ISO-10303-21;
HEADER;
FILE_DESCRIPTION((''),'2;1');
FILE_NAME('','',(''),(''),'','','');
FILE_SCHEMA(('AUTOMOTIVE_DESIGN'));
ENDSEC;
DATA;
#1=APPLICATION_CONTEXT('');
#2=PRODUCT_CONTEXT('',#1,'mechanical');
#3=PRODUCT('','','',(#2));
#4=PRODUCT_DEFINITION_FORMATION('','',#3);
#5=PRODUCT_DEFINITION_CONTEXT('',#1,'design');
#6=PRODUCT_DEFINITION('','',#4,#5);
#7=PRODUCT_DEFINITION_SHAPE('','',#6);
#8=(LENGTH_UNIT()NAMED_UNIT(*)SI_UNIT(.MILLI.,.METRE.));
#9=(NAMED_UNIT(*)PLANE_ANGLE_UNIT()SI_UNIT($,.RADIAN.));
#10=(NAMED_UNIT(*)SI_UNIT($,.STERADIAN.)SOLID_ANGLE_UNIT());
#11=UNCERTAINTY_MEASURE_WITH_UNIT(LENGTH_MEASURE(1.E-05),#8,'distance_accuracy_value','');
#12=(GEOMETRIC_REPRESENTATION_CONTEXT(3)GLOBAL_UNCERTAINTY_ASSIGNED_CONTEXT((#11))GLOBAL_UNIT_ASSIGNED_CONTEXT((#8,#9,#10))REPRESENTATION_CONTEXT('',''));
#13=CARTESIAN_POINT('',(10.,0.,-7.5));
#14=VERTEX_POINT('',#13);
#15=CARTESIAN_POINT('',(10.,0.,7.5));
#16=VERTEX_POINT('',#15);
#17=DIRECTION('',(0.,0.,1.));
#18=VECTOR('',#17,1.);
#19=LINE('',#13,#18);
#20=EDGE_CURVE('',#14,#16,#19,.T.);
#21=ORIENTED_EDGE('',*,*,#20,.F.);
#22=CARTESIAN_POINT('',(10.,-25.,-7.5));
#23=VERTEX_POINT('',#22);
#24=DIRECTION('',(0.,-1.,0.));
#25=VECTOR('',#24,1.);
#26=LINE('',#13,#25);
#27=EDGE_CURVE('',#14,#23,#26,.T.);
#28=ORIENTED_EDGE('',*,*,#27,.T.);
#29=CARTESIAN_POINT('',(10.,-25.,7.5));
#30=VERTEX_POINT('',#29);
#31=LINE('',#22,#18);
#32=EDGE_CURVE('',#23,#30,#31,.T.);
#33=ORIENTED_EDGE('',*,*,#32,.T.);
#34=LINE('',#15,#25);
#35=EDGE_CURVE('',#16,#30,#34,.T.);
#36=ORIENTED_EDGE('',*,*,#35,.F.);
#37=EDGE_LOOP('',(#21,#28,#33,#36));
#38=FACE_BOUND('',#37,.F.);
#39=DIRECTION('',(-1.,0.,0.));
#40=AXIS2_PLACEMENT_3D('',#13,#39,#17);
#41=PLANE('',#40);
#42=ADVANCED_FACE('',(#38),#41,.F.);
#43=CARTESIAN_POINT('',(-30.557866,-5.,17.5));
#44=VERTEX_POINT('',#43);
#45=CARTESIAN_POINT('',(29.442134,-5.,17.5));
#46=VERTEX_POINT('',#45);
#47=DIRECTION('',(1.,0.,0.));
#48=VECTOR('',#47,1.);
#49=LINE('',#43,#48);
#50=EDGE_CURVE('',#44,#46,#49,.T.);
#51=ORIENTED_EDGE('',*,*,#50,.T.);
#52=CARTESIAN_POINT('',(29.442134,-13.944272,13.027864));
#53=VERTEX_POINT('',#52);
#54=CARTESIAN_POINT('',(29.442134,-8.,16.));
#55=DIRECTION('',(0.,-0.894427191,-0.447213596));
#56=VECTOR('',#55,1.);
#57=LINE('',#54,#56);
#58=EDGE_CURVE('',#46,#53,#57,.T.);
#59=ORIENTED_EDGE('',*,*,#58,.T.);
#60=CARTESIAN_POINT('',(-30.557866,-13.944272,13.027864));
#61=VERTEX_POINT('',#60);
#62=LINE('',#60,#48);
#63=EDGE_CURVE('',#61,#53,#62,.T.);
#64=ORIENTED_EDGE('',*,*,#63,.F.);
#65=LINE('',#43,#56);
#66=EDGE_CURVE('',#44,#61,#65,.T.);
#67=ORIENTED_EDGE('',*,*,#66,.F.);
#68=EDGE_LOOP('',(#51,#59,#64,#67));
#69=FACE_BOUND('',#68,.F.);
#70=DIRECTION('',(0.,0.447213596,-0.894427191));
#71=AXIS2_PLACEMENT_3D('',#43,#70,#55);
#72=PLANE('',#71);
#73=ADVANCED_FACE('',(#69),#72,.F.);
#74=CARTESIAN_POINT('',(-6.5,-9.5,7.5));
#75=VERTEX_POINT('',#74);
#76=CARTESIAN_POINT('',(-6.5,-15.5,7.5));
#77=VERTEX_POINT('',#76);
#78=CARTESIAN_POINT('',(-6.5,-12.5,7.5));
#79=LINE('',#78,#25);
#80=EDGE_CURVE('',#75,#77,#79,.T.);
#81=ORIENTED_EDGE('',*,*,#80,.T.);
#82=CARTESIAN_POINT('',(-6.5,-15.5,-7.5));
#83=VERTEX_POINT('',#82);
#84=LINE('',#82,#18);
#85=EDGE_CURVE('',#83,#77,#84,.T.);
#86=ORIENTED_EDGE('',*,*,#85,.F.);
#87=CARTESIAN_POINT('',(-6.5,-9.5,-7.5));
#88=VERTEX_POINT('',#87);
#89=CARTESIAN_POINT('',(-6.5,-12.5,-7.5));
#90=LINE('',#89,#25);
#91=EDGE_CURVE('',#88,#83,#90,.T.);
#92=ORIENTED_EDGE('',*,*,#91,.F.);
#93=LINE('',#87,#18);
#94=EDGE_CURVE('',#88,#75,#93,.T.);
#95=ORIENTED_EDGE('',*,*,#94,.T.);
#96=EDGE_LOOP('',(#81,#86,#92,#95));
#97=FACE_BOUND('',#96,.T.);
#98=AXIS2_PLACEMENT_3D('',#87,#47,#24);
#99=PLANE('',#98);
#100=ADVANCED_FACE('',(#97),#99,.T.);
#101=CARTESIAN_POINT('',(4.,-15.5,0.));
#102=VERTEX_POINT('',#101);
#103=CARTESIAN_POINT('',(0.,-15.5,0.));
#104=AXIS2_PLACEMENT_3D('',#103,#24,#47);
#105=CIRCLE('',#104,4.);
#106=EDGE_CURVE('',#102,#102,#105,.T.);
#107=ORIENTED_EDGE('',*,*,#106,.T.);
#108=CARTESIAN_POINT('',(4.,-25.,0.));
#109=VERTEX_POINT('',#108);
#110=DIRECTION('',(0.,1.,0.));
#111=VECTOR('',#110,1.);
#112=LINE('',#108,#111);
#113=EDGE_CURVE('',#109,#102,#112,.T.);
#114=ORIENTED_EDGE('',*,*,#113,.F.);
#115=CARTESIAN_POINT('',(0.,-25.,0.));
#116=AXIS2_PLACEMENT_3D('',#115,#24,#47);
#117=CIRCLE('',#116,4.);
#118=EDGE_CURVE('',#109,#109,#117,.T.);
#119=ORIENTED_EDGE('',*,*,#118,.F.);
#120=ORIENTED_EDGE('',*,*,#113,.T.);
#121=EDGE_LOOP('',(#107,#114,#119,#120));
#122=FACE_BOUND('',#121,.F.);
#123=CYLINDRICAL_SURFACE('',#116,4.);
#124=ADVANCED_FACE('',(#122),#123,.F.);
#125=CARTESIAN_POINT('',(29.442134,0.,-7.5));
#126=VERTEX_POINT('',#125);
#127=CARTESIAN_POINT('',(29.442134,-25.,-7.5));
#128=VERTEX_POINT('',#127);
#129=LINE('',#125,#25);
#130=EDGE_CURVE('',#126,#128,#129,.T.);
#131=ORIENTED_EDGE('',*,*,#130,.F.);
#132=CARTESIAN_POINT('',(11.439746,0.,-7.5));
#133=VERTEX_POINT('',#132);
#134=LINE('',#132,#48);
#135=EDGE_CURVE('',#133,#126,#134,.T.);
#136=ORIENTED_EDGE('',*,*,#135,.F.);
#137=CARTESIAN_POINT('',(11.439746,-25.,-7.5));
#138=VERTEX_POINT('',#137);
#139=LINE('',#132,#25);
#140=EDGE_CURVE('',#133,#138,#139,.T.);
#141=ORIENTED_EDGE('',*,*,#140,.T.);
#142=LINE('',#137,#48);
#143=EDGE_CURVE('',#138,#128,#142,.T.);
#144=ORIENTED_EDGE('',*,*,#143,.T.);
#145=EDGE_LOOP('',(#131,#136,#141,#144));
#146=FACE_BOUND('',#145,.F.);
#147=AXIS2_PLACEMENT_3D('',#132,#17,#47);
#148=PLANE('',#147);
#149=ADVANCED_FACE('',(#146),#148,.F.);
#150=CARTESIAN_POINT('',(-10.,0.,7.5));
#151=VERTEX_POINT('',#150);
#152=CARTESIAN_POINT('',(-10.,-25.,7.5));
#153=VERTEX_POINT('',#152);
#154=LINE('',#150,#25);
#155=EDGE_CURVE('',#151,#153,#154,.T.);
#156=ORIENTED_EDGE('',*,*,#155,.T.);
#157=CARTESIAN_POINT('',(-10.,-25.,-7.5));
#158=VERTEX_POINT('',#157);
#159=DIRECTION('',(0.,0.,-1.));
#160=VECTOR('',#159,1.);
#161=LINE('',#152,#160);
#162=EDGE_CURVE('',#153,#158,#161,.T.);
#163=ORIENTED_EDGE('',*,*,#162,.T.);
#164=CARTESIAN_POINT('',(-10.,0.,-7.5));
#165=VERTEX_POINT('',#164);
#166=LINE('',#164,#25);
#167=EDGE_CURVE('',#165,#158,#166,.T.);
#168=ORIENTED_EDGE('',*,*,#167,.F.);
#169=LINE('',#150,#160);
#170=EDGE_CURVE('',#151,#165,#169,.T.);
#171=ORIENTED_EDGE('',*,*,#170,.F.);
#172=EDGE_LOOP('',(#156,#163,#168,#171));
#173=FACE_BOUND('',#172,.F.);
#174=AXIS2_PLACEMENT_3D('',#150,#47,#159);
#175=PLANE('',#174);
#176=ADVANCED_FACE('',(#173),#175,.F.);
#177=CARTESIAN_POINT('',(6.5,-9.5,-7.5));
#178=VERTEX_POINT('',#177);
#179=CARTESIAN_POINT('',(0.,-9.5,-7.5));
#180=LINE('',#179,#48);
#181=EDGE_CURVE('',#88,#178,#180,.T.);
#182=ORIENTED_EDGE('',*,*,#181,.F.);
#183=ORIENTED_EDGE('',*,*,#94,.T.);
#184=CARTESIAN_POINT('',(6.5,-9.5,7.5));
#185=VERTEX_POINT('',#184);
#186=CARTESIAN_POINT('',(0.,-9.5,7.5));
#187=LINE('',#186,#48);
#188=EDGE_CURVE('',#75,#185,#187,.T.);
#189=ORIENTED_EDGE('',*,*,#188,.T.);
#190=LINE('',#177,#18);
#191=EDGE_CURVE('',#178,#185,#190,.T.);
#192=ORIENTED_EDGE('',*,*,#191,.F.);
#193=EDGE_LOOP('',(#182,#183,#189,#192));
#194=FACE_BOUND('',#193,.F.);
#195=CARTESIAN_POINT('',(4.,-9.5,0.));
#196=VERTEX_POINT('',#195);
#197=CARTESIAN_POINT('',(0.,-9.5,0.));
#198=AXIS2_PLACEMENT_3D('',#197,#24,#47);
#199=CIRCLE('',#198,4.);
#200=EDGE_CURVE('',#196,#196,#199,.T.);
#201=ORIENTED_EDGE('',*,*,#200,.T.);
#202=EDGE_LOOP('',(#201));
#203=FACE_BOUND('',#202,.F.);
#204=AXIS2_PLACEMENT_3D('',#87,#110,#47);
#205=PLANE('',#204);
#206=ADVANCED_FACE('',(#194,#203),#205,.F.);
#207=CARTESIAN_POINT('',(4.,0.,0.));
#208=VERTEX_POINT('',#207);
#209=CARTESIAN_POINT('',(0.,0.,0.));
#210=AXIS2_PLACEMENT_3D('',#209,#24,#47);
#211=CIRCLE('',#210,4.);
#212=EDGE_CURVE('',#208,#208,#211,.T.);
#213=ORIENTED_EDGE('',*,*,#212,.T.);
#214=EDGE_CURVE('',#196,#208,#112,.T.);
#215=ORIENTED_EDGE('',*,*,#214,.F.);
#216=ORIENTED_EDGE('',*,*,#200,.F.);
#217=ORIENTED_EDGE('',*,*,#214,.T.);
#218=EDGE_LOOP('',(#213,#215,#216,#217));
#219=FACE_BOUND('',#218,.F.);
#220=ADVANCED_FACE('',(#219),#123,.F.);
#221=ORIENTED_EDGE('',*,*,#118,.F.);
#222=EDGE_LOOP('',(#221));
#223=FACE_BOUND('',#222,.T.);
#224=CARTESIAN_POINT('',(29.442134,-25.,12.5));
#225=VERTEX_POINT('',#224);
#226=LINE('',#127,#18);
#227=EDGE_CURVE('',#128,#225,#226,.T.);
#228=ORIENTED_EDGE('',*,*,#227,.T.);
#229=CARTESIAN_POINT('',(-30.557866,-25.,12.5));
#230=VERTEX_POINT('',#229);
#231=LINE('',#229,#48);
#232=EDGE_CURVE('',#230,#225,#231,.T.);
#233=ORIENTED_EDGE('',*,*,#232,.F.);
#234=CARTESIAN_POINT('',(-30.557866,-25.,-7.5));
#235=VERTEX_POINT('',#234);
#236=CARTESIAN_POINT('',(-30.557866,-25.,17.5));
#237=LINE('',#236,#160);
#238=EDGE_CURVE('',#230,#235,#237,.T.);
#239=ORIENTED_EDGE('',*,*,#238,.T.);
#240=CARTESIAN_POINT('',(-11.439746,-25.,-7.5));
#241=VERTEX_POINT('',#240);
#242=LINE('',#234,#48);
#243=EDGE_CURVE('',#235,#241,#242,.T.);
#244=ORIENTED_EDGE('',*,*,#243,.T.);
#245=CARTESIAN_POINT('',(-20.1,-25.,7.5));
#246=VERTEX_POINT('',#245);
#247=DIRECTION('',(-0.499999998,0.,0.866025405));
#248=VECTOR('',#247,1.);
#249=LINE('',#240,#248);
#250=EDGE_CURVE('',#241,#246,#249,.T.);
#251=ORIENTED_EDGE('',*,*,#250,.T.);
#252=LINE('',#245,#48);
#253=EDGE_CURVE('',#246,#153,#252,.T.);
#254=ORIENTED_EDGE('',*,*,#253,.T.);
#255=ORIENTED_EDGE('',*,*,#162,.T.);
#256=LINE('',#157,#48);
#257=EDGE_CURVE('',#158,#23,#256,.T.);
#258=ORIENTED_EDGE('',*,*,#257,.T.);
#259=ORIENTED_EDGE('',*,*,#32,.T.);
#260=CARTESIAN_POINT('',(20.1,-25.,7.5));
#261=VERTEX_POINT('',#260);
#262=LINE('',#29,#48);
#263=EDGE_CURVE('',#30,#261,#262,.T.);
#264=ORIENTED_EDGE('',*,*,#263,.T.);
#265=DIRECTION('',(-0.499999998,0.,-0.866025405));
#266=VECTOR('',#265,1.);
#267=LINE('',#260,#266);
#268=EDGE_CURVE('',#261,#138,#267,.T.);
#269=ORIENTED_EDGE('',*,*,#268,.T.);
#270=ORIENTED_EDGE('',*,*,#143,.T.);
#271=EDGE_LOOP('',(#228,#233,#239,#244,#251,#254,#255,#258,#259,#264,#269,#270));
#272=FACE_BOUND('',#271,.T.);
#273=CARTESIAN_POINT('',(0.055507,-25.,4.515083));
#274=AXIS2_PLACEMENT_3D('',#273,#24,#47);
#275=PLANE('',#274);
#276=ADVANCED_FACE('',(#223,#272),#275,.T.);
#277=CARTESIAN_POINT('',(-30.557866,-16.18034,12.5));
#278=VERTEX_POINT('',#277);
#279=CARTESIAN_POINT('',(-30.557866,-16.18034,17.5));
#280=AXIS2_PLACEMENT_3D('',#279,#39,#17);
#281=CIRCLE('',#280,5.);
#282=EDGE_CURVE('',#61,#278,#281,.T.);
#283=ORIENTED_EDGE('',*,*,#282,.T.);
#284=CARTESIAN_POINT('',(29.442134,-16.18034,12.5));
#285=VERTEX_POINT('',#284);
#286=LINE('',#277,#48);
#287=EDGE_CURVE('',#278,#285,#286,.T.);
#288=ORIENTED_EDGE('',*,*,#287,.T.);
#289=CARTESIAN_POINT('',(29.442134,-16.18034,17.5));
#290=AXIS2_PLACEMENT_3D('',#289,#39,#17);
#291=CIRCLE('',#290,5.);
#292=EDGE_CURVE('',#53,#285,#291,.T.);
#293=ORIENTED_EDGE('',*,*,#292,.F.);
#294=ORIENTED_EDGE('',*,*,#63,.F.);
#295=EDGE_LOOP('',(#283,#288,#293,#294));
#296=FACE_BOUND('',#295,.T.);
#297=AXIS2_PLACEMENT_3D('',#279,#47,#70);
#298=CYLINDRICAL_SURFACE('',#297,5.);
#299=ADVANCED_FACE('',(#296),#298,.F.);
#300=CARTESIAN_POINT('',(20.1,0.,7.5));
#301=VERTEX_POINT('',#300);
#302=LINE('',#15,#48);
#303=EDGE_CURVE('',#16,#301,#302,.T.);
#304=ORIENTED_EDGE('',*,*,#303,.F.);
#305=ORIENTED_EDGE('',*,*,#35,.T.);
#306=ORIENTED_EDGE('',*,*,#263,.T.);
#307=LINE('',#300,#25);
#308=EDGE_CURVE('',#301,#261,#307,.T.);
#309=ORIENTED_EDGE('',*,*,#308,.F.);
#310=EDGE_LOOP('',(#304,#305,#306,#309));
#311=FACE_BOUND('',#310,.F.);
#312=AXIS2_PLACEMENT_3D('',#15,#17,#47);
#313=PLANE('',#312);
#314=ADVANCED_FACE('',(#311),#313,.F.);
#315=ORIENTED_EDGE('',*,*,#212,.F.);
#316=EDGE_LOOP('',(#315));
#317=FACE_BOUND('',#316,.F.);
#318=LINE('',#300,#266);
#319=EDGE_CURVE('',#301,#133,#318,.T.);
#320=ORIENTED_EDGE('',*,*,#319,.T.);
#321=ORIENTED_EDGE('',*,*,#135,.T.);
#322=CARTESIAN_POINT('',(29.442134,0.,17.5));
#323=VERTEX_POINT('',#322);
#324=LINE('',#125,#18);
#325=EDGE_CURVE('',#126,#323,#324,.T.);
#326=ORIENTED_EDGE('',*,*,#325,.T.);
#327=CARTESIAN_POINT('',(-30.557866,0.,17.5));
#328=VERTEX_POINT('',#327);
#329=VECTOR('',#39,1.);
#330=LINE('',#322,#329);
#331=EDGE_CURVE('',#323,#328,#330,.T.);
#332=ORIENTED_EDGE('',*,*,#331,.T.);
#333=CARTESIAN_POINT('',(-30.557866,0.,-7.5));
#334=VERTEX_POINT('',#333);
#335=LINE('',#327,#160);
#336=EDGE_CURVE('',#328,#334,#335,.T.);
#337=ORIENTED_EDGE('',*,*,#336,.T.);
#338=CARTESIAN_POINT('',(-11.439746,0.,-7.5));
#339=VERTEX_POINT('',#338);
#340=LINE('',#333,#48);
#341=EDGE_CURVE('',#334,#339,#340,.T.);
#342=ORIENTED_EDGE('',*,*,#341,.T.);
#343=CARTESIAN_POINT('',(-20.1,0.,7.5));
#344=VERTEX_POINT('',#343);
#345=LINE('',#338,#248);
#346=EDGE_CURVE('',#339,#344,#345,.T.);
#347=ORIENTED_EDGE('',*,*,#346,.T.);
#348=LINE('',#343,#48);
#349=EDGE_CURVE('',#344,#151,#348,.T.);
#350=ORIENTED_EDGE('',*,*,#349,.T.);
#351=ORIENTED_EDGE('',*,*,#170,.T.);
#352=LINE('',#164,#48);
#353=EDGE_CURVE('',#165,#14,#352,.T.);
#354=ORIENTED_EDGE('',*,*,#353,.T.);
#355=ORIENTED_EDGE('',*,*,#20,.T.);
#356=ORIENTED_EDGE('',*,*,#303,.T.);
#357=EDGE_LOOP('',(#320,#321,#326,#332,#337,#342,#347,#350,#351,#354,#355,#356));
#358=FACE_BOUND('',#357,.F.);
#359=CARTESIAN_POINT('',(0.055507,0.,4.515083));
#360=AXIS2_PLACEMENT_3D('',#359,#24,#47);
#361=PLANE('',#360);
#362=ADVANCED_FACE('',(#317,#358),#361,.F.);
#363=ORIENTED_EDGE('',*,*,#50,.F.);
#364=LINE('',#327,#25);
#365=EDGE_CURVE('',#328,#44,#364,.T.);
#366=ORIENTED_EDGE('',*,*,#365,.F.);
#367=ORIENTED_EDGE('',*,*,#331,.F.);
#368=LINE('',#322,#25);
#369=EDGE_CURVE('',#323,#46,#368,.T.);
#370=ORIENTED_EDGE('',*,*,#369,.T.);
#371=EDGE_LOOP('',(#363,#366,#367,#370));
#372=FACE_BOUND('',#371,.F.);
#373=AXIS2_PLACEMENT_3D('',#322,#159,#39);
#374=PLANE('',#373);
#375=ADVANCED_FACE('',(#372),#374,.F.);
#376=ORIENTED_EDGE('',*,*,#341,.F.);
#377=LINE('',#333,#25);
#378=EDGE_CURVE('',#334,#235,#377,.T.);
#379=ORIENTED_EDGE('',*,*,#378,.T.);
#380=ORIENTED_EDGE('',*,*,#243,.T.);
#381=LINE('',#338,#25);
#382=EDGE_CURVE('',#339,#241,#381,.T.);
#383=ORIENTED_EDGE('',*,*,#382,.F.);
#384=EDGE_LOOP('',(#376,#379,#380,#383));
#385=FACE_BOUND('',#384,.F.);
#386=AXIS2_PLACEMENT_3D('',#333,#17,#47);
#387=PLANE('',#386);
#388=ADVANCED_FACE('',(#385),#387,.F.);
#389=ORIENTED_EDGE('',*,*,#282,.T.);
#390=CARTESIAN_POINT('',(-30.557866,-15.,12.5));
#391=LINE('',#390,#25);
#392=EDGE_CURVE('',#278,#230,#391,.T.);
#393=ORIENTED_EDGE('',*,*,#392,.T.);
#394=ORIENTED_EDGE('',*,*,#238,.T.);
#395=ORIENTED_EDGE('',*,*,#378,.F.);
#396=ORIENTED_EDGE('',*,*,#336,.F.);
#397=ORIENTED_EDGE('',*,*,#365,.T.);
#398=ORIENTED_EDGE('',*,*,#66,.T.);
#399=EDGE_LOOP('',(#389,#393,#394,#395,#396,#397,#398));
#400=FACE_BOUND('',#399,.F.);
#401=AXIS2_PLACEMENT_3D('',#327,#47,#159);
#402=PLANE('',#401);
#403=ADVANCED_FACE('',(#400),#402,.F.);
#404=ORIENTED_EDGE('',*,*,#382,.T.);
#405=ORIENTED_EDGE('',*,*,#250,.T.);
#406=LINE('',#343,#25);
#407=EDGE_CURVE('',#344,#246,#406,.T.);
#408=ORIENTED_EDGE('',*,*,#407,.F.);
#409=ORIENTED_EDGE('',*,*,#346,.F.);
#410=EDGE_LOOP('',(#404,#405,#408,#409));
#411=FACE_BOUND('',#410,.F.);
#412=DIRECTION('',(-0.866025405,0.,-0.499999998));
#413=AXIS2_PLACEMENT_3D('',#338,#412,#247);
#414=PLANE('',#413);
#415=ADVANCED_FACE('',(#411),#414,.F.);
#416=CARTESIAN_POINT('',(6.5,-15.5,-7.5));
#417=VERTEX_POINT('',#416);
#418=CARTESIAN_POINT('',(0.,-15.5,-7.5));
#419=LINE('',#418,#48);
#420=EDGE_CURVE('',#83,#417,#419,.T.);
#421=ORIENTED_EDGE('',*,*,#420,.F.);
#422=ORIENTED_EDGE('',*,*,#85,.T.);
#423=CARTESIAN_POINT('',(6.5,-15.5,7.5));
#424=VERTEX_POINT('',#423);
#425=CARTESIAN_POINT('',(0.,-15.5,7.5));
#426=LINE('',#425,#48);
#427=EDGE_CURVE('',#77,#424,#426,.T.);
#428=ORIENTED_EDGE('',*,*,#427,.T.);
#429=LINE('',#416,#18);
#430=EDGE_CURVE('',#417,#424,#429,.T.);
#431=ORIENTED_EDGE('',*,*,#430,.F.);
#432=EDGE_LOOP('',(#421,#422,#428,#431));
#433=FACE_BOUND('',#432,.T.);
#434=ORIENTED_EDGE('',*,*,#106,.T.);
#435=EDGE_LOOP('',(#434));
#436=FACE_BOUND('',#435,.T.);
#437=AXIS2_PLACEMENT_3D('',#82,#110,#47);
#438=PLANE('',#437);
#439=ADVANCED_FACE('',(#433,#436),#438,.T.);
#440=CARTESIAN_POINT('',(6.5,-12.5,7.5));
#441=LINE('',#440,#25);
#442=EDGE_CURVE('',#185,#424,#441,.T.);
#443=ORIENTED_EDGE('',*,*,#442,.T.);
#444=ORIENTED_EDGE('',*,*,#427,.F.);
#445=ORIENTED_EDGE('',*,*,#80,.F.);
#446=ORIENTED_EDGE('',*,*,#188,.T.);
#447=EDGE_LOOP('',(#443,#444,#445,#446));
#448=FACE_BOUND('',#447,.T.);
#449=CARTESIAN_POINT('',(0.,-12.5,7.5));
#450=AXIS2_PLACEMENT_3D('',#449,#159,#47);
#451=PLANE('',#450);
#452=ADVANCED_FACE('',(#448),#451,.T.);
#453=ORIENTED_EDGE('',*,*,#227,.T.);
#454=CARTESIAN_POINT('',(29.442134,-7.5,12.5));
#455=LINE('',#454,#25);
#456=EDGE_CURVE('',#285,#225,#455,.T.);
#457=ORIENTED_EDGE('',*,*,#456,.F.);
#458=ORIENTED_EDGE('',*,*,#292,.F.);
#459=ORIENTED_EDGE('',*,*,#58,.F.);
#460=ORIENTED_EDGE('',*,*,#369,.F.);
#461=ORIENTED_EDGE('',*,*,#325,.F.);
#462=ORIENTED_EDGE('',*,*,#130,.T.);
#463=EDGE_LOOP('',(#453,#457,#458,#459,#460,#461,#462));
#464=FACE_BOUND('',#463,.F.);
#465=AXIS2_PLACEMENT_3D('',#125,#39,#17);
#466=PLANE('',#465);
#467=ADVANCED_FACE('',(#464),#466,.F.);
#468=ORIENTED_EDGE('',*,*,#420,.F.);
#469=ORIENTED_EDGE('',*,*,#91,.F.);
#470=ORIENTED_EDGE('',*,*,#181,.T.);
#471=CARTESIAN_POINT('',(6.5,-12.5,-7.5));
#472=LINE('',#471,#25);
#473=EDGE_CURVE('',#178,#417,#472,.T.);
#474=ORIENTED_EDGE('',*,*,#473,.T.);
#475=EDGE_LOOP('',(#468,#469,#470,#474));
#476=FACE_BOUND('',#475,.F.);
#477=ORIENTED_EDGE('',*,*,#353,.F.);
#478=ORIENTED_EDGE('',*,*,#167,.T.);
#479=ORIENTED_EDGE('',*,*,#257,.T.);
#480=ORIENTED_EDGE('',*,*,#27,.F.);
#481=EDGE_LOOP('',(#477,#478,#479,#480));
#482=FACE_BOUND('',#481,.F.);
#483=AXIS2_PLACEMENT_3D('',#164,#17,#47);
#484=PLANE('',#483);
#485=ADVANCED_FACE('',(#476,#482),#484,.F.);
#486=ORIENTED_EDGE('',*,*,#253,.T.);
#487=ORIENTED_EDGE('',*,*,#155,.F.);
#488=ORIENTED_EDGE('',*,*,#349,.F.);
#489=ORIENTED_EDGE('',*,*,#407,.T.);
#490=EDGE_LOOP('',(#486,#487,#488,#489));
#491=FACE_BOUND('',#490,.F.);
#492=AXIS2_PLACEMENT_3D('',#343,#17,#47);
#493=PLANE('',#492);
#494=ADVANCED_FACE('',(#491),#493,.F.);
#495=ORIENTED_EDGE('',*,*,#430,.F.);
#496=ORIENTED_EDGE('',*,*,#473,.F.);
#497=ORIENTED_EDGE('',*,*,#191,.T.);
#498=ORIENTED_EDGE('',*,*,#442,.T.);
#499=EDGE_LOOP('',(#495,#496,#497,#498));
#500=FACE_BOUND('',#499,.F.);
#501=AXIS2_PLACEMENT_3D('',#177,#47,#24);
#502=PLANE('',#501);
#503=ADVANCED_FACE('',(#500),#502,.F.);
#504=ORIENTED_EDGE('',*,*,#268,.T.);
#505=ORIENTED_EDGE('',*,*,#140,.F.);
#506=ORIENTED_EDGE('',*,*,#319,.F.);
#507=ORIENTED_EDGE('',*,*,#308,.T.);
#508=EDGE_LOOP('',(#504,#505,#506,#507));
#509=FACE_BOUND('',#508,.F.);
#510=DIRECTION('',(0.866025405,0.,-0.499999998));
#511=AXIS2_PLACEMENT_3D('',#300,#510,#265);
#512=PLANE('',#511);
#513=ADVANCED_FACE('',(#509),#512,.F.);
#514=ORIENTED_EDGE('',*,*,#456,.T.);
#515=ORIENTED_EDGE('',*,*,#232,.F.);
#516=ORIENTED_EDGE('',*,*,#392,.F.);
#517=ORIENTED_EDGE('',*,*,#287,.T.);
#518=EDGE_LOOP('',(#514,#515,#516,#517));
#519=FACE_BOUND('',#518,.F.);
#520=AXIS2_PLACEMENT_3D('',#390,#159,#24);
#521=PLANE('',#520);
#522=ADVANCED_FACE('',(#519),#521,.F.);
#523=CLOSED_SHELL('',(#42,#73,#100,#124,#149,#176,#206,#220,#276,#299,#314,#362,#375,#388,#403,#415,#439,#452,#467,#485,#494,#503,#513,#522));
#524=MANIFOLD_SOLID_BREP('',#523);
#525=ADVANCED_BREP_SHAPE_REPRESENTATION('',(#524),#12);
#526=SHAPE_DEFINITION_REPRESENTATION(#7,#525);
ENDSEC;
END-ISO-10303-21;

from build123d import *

# Parameters (mm, degrees)
F1_DEPTH = 25
F3_DEPTH = 60.001
F4_R     = 5
F5_W     = 13
F5_H     = 6
F6_DEPTH = 15
F7_R     = 4
F8_DEPTH = 25.001


with BuildPart() as f1:
    # F0 (on Front) → F1 (new body)
    with BuildSketch(Plane.XZ):
        Polygon((29.442134, 17.5), (-30.557866, 17.5), (-30.557866, -7.5), (-20.1, -7.5), (-20.1, 7.5), (-10, 7.5), (-10, -7.5), (10, -7.5), (10, 7.5), (20.1, 7.5), (11.439746, -7.5), (29.442134, -7.5), align=None)
        Polygon((-20.1, 7.5), (-20.1, -7.5), (-11.439746, -7.5), align=None)
    extrude(amount=F1_DEPTH)

    # F2 (on face) → F3 (cut, through all)
    with BuildSketch(Plane(origin=(-30.557866, 0, 0), x_dir=(0, -1, 0), z_dir=(-1, 0, 0))):
        Polygon((15, 12.5), (25, 12.5), (25, 17.5), (5, 17.5), align=None)
    extrude(amount=-F3_DEPTH, mode=Mode.SUBTRACT)

    # F4
    f4_edges = [f1.edges().sort_by_distance(p)[0] for p in [
        (-0.557866, -15, 12.5),
    ]]
    fillet(f4_edges, radius=F4_R)

    # F5 (on face) → F6 (cut)
    with BuildSketch(Plane(origin=(0, 0, -7.5), x_dir=(1, 0, 0), z_dir=(0, 0, -1))):
        with Locations((0, 12.5)):
            Rectangle(F5_W, F5_H)
    extrude(amount=-F6_DEPTH, mode=Mode.SUBTRACT)

    # F7 (on face) → F8 (cut, through all)
    with BuildSketch(Plane.XZ.offset(25)):
        Circle(F7_R)
    extrude(amount=-F8_DEPTH, mode=Mode.SUBTRACT)


solid = f1.part
